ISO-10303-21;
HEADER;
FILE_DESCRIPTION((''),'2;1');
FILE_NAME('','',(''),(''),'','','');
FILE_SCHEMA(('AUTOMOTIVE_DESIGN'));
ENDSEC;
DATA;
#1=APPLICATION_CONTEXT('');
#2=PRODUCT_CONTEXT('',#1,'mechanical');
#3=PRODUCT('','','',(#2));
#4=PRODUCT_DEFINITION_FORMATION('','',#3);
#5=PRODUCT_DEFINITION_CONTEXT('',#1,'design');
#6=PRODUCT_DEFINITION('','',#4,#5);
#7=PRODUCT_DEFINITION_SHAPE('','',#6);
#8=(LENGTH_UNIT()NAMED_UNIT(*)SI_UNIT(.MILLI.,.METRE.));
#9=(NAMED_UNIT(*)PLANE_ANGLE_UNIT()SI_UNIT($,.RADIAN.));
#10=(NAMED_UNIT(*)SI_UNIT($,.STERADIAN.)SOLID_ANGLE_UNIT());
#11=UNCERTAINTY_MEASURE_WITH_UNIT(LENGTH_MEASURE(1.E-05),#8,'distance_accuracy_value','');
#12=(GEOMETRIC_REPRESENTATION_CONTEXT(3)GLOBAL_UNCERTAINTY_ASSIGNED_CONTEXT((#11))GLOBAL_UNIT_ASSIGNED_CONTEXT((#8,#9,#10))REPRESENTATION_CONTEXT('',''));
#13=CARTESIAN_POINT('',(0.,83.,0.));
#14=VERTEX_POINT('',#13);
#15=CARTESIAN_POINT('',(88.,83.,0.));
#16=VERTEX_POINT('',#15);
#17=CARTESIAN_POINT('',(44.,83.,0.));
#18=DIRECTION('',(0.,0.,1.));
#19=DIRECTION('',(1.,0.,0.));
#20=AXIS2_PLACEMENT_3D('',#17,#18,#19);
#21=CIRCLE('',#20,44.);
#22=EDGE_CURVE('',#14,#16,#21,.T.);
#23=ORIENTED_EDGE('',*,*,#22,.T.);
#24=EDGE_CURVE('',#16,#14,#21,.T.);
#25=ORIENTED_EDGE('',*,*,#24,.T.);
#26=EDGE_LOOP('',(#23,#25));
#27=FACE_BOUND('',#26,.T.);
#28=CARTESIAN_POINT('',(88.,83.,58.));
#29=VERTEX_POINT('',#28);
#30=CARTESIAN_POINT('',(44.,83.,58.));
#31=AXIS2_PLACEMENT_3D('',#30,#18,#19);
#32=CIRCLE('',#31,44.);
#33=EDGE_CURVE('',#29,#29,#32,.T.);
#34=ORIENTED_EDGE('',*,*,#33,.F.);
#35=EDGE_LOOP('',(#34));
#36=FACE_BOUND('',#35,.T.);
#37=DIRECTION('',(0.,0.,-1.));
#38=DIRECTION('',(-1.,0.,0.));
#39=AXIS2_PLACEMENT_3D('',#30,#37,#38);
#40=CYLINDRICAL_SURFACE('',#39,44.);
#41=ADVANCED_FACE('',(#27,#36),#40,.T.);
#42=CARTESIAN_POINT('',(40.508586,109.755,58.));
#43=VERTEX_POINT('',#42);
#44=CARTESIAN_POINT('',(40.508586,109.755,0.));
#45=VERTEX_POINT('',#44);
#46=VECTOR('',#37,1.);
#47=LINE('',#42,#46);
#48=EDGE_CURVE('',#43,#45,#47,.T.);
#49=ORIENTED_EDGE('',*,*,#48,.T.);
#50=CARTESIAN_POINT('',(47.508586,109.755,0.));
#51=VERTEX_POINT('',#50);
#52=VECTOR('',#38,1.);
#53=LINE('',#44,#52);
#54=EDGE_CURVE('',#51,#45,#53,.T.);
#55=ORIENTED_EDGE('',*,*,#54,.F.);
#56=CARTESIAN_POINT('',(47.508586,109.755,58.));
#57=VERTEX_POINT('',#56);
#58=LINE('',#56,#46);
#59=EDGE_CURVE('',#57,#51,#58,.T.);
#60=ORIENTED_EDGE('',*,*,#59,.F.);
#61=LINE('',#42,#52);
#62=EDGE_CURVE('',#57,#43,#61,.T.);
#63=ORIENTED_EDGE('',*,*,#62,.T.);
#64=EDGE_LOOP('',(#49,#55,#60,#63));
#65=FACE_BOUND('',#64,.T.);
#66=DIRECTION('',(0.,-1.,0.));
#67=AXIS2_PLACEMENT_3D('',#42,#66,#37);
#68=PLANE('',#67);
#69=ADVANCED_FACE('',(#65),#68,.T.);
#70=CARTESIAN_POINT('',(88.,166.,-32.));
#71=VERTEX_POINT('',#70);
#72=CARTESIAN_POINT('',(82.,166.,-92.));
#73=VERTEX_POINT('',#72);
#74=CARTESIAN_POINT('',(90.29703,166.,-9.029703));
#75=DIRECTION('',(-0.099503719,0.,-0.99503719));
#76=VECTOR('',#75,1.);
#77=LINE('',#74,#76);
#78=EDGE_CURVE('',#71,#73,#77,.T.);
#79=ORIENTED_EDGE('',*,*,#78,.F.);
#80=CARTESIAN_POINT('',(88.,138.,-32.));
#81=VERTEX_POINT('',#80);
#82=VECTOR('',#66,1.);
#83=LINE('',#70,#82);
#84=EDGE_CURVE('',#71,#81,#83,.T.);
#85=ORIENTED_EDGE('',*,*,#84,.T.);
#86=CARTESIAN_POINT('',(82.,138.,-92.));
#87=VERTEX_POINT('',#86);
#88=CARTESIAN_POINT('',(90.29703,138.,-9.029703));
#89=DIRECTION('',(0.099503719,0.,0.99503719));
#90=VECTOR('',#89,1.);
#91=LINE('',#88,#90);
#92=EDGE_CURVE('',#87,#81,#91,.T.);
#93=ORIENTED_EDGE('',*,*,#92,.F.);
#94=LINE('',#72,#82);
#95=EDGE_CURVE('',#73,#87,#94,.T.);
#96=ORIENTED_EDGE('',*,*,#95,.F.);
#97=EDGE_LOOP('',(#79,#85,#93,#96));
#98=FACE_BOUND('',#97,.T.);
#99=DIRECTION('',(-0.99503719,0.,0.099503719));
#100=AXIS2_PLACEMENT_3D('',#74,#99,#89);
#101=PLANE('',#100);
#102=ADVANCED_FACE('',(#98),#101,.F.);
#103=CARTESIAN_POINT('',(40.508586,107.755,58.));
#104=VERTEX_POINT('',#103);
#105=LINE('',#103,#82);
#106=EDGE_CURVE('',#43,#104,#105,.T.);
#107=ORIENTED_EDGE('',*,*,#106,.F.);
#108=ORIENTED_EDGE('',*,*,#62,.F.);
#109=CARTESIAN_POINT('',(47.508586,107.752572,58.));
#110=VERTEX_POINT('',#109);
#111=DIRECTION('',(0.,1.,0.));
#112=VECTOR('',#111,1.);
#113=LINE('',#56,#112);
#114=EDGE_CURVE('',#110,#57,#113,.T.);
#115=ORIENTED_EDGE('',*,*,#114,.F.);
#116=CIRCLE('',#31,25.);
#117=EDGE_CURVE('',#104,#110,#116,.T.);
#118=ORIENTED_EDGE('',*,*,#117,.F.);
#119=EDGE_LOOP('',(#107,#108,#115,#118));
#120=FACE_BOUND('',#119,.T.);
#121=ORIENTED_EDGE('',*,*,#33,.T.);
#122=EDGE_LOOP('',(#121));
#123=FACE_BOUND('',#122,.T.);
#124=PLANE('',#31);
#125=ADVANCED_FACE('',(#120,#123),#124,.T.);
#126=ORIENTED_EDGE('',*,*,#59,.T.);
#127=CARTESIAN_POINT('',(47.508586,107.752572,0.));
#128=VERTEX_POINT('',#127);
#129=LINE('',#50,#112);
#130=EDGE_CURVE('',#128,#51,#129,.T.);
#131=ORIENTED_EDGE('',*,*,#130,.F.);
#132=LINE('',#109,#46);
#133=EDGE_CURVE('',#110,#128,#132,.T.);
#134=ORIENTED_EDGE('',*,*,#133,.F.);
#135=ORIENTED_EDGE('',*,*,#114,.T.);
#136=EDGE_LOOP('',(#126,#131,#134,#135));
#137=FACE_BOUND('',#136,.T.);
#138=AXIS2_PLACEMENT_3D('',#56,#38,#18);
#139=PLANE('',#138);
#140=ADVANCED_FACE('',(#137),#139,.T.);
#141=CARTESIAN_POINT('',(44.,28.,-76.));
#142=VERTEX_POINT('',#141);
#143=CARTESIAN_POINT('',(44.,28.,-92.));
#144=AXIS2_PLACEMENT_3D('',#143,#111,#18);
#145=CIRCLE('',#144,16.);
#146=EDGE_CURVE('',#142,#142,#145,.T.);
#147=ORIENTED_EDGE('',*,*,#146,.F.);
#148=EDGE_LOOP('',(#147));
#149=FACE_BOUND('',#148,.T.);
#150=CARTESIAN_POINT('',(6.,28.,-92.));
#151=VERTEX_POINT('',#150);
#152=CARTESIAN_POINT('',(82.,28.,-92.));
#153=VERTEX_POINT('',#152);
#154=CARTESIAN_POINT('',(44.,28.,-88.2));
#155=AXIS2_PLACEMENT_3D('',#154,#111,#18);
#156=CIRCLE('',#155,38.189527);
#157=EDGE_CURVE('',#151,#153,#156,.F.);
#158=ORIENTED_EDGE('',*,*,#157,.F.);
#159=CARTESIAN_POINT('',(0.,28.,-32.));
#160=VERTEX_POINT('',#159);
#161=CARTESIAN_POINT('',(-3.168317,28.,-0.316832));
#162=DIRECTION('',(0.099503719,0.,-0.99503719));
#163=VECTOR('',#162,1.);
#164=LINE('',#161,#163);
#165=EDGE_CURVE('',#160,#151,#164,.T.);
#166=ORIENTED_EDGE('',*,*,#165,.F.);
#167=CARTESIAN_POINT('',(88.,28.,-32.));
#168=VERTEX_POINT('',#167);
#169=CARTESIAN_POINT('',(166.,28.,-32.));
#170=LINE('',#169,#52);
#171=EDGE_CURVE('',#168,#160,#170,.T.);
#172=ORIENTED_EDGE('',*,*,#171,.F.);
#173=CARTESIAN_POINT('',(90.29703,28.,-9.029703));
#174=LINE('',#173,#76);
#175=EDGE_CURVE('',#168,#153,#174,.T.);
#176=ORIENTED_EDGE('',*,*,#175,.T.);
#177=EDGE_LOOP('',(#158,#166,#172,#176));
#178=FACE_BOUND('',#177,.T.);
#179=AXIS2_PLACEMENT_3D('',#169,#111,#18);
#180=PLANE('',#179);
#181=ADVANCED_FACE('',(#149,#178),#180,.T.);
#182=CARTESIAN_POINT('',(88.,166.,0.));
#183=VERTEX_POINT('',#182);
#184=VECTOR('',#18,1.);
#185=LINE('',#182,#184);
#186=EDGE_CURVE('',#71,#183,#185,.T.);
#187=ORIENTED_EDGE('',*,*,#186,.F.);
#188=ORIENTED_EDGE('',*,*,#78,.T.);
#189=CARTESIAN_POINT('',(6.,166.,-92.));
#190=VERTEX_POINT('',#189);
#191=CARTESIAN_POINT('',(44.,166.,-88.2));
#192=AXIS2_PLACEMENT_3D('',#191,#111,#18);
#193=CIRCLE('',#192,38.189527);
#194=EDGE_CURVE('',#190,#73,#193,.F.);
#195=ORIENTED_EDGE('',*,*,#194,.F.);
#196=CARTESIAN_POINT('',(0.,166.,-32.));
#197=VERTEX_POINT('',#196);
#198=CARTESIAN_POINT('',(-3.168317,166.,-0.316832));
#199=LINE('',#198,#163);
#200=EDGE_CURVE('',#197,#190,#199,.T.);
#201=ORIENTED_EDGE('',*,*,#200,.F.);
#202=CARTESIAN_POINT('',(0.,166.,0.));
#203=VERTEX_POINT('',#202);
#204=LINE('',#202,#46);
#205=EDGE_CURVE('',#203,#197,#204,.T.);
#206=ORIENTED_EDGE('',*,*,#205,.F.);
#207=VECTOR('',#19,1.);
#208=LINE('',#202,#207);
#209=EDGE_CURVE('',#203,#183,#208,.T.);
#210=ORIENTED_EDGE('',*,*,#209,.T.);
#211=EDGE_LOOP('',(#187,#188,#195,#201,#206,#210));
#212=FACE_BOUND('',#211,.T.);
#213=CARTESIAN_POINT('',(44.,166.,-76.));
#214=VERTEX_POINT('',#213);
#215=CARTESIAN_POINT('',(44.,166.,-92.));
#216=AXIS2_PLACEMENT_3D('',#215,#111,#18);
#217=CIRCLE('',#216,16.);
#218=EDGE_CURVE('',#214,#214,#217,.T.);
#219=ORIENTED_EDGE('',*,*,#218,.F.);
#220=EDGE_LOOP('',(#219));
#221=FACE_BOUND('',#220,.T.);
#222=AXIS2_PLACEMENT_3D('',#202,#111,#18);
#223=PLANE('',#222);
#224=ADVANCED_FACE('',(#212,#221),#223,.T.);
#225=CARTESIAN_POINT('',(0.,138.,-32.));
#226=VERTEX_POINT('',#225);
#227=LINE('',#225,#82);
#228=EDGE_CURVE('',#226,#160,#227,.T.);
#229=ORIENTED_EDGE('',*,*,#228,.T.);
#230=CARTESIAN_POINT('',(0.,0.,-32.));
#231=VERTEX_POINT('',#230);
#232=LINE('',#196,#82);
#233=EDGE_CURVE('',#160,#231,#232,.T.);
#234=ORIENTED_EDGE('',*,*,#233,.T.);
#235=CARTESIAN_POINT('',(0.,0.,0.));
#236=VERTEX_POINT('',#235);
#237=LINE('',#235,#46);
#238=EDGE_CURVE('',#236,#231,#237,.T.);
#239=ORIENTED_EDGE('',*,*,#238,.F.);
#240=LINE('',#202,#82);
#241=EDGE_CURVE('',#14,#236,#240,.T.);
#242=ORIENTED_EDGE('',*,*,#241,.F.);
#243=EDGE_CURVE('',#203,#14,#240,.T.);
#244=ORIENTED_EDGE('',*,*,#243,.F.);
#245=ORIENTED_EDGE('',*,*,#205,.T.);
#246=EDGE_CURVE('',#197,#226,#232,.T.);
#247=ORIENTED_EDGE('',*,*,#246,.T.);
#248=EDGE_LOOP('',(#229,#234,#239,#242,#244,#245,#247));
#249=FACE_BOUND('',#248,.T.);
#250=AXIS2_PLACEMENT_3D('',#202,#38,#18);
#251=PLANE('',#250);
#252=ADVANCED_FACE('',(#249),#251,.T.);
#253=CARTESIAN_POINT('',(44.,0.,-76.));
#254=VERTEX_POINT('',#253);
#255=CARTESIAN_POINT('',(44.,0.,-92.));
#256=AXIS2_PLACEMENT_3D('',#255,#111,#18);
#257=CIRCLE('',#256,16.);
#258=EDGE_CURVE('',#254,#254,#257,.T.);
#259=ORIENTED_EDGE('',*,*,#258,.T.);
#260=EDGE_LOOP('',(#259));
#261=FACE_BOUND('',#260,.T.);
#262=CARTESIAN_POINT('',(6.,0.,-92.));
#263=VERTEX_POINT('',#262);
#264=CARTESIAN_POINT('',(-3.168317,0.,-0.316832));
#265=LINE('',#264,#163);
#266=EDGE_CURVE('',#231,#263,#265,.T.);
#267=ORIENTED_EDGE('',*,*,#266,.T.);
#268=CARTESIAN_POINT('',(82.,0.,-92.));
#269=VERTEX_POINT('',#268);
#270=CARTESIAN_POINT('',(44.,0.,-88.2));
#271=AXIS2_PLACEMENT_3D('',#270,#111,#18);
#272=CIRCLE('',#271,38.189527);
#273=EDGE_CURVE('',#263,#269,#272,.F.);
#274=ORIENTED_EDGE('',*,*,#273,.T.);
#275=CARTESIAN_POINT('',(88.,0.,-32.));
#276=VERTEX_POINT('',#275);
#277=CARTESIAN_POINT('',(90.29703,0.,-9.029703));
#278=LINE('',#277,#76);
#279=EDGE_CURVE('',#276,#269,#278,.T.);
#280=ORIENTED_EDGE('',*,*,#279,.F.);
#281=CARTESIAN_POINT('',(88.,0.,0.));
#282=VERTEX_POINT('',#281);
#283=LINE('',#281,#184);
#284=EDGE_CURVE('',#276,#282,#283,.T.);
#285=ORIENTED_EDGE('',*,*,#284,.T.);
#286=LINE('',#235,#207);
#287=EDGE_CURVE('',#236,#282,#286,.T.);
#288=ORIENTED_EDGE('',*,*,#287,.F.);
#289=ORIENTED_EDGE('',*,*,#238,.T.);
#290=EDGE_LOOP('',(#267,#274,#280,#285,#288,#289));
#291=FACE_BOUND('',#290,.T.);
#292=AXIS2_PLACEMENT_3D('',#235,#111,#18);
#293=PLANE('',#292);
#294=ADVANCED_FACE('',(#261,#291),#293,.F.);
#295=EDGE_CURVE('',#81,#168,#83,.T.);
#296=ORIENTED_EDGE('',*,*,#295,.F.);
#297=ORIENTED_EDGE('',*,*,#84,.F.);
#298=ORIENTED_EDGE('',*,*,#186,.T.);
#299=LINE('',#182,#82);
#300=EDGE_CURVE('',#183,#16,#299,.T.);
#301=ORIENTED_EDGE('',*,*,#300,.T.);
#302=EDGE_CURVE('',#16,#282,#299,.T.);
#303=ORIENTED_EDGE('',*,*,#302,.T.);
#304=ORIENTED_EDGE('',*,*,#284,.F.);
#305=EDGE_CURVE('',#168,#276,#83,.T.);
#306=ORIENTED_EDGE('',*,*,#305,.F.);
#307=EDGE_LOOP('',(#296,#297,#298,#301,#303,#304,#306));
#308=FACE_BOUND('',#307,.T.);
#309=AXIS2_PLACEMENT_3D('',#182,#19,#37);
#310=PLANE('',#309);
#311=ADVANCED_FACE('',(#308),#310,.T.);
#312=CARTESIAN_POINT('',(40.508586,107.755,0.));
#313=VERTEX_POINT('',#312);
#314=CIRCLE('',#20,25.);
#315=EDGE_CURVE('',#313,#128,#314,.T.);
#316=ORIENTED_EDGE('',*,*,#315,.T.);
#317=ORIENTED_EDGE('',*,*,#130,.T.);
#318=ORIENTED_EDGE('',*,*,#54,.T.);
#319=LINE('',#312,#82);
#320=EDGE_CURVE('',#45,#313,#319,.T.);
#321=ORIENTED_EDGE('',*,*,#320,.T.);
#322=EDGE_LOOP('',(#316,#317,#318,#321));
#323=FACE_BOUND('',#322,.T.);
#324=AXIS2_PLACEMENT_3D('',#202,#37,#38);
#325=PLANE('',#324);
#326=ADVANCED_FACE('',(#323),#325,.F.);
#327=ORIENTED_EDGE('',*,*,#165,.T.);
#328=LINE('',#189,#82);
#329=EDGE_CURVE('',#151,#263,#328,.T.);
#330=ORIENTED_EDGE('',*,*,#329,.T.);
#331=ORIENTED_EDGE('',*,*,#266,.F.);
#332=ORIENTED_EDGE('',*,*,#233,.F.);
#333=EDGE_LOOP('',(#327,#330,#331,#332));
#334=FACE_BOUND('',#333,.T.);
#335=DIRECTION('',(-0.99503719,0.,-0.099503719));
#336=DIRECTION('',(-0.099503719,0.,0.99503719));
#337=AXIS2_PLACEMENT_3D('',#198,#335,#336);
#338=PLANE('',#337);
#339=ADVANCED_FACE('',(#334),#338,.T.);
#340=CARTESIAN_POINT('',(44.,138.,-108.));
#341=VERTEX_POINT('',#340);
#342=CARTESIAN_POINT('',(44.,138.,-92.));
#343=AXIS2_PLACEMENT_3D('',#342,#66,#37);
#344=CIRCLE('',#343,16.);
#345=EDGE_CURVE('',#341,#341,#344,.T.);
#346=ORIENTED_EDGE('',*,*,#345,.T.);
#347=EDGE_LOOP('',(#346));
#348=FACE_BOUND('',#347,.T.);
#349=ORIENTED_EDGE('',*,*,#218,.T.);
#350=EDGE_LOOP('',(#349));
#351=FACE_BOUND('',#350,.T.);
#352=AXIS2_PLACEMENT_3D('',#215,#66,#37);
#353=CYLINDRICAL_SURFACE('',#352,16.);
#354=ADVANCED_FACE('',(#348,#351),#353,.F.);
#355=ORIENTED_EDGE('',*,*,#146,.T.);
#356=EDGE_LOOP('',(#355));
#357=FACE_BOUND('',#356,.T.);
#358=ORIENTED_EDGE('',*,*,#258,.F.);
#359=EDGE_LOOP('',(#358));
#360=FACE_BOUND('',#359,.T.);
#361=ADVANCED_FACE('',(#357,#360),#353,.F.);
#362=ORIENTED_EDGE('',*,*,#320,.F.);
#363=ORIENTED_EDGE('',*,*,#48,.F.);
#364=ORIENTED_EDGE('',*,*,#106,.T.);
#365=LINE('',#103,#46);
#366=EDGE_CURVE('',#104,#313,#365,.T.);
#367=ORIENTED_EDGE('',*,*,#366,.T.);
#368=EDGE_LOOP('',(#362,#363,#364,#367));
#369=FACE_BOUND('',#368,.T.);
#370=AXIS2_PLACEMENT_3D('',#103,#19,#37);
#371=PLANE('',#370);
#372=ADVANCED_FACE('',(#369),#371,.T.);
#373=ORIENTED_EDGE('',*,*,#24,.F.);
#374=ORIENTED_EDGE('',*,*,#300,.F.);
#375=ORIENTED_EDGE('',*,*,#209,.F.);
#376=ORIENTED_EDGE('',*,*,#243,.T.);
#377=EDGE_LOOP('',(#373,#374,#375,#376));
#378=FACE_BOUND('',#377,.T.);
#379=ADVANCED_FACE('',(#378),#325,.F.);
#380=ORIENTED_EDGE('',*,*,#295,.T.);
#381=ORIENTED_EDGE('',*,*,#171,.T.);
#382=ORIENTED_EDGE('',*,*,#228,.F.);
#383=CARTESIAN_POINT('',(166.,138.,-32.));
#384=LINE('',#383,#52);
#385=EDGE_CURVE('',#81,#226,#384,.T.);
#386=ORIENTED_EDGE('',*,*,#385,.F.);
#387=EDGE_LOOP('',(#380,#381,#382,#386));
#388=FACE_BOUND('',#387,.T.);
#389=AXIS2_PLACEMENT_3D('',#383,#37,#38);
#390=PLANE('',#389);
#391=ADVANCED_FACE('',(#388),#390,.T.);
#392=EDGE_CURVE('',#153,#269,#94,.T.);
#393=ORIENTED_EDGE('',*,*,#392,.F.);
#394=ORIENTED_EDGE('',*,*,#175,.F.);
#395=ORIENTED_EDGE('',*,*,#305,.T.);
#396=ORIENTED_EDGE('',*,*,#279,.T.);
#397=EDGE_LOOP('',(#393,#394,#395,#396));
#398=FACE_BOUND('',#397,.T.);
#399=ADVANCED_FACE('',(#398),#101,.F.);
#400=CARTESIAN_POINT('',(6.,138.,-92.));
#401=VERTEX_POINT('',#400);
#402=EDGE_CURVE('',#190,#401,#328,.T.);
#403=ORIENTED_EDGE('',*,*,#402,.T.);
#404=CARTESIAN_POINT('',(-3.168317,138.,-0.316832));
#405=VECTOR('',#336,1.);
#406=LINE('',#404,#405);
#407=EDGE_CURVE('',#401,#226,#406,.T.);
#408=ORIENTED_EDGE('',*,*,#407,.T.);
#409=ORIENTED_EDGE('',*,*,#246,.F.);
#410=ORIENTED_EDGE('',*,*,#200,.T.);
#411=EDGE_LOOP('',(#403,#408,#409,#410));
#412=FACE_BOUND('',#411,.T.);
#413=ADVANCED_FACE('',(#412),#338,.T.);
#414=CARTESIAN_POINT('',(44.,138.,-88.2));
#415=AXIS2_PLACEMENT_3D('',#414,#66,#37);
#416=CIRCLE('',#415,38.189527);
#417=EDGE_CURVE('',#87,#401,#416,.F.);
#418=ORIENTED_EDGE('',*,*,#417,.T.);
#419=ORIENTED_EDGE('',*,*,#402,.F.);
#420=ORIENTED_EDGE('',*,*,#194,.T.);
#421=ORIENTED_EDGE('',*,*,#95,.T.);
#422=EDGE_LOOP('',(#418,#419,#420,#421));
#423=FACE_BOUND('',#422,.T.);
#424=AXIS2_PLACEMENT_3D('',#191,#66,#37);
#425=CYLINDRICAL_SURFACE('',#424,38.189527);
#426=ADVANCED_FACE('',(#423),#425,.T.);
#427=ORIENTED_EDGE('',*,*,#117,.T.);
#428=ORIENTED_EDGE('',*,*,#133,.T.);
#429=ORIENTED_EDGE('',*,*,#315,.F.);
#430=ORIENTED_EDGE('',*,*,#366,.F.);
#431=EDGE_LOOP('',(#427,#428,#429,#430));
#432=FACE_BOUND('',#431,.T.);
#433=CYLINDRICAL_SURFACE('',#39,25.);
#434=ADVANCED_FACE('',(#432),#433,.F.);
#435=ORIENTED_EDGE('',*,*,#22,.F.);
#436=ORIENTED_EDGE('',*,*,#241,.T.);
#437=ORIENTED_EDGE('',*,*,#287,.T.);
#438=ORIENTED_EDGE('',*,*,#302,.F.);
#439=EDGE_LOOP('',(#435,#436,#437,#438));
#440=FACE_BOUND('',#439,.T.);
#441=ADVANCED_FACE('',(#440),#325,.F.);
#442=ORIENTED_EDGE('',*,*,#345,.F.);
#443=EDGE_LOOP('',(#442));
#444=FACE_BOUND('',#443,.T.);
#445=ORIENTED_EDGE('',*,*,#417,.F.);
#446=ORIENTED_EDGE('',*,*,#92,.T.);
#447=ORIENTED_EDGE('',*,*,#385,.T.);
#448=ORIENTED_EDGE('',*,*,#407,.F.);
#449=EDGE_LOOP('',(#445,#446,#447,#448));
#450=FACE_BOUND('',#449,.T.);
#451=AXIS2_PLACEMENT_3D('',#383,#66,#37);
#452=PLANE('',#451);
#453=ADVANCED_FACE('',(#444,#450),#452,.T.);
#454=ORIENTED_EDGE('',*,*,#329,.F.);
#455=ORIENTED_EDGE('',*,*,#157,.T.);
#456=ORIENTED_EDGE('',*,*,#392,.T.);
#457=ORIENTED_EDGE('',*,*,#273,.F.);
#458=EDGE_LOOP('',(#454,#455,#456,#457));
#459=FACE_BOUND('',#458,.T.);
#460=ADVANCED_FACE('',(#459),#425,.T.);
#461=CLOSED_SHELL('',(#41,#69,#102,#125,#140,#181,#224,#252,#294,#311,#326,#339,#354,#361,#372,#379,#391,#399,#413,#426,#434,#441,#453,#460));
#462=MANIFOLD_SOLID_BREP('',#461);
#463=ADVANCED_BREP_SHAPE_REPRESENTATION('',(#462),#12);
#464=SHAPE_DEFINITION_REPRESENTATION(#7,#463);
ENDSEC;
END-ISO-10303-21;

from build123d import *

# Parameters (mm, degrees)
SKETCH2_W           = 88
SKETCH2_H           = 32
SKETCH2_R           = 16
BOSS_EXTRUDE2_DEPTH = 166
SKETCH5_W           = 94.38952736
SKETCH5_H           = 110
CUT_EXTRUDE1_DEPTH  = 166
SKETCH6_R           = 44
BOSS_EXTRUDE4_DEPTH = 58


with BuildPart() as part:
    # Sketch2 → Boss-Extrude2 (new body)
    # profile 1 of 2: a face of its own
    with BuildSketch(Plane(origin=(0, 0, 0), x_dir=(1, 0, 0), z_dir=(0, 1, 0))):
        with Locations((44, 16)):
            Rectangle(SKETCH2_W, SKETCH2_H)
    # profile 2 of 2: a face of its own
    with BuildSketch(Plane(origin=(0, 0, 0), x_dir=(1, 0, 0), z_dir=(0, 1, 0))):
        with BuildLine():
            ThreePointArc((6, 92), (44, 126.38952736), (82, 92))
            Line((82, 92), (88, 32))
            Line((88, 32), (0, 32))
            Line((0, 32), (6, 92))
        make_face()
        with Locations(Location((44, 92, 0), (0, 0, 270))):
            Circle(SKETCH2_R, mode=Mode.SUBTRACT)
    extrude(amount=BOSS_EXTRUDE2_DEPTH)

    # Sketch5 → Cut-Extrude1 (cut)
    with BuildSketch(Plane(origin=(0, 0, 0), x_dir=(0, 0, -1), z_dir=(1, 0, 0))):
        with Locations((79.19476368, 83)):
            Rectangle(SKETCH5_W, SKETCH5_H)
    extrude(amount=CUT_EXTRUDE1_DEPTH, mode=Mode.SUBTRACT)

    # Sketch6 → Boss-Extrude4 (add)
    with BuildSketch(Plane.XY):
        with Locations((44, 83)):
            Circle(SKETCH6_R)
        with BuildLine():
            Line((40.50858553, 107.755), (40.50858553, 109.755))
            Line((40.50858553, 109.755), (47.50858553, 109.755))
            Line((47.50858553, 109.755), (47.50858553, 107.752572141))
            ThreePointArc((47.50858553, 107.752572141), (43.991329074, 58.000001504), (40.50858553, 107.755))
        make_face(mode=Mode.SUBTRACT)
    extrude(amount=BOSS_EXTRUDE4_DEPTH)


solid = part.part
